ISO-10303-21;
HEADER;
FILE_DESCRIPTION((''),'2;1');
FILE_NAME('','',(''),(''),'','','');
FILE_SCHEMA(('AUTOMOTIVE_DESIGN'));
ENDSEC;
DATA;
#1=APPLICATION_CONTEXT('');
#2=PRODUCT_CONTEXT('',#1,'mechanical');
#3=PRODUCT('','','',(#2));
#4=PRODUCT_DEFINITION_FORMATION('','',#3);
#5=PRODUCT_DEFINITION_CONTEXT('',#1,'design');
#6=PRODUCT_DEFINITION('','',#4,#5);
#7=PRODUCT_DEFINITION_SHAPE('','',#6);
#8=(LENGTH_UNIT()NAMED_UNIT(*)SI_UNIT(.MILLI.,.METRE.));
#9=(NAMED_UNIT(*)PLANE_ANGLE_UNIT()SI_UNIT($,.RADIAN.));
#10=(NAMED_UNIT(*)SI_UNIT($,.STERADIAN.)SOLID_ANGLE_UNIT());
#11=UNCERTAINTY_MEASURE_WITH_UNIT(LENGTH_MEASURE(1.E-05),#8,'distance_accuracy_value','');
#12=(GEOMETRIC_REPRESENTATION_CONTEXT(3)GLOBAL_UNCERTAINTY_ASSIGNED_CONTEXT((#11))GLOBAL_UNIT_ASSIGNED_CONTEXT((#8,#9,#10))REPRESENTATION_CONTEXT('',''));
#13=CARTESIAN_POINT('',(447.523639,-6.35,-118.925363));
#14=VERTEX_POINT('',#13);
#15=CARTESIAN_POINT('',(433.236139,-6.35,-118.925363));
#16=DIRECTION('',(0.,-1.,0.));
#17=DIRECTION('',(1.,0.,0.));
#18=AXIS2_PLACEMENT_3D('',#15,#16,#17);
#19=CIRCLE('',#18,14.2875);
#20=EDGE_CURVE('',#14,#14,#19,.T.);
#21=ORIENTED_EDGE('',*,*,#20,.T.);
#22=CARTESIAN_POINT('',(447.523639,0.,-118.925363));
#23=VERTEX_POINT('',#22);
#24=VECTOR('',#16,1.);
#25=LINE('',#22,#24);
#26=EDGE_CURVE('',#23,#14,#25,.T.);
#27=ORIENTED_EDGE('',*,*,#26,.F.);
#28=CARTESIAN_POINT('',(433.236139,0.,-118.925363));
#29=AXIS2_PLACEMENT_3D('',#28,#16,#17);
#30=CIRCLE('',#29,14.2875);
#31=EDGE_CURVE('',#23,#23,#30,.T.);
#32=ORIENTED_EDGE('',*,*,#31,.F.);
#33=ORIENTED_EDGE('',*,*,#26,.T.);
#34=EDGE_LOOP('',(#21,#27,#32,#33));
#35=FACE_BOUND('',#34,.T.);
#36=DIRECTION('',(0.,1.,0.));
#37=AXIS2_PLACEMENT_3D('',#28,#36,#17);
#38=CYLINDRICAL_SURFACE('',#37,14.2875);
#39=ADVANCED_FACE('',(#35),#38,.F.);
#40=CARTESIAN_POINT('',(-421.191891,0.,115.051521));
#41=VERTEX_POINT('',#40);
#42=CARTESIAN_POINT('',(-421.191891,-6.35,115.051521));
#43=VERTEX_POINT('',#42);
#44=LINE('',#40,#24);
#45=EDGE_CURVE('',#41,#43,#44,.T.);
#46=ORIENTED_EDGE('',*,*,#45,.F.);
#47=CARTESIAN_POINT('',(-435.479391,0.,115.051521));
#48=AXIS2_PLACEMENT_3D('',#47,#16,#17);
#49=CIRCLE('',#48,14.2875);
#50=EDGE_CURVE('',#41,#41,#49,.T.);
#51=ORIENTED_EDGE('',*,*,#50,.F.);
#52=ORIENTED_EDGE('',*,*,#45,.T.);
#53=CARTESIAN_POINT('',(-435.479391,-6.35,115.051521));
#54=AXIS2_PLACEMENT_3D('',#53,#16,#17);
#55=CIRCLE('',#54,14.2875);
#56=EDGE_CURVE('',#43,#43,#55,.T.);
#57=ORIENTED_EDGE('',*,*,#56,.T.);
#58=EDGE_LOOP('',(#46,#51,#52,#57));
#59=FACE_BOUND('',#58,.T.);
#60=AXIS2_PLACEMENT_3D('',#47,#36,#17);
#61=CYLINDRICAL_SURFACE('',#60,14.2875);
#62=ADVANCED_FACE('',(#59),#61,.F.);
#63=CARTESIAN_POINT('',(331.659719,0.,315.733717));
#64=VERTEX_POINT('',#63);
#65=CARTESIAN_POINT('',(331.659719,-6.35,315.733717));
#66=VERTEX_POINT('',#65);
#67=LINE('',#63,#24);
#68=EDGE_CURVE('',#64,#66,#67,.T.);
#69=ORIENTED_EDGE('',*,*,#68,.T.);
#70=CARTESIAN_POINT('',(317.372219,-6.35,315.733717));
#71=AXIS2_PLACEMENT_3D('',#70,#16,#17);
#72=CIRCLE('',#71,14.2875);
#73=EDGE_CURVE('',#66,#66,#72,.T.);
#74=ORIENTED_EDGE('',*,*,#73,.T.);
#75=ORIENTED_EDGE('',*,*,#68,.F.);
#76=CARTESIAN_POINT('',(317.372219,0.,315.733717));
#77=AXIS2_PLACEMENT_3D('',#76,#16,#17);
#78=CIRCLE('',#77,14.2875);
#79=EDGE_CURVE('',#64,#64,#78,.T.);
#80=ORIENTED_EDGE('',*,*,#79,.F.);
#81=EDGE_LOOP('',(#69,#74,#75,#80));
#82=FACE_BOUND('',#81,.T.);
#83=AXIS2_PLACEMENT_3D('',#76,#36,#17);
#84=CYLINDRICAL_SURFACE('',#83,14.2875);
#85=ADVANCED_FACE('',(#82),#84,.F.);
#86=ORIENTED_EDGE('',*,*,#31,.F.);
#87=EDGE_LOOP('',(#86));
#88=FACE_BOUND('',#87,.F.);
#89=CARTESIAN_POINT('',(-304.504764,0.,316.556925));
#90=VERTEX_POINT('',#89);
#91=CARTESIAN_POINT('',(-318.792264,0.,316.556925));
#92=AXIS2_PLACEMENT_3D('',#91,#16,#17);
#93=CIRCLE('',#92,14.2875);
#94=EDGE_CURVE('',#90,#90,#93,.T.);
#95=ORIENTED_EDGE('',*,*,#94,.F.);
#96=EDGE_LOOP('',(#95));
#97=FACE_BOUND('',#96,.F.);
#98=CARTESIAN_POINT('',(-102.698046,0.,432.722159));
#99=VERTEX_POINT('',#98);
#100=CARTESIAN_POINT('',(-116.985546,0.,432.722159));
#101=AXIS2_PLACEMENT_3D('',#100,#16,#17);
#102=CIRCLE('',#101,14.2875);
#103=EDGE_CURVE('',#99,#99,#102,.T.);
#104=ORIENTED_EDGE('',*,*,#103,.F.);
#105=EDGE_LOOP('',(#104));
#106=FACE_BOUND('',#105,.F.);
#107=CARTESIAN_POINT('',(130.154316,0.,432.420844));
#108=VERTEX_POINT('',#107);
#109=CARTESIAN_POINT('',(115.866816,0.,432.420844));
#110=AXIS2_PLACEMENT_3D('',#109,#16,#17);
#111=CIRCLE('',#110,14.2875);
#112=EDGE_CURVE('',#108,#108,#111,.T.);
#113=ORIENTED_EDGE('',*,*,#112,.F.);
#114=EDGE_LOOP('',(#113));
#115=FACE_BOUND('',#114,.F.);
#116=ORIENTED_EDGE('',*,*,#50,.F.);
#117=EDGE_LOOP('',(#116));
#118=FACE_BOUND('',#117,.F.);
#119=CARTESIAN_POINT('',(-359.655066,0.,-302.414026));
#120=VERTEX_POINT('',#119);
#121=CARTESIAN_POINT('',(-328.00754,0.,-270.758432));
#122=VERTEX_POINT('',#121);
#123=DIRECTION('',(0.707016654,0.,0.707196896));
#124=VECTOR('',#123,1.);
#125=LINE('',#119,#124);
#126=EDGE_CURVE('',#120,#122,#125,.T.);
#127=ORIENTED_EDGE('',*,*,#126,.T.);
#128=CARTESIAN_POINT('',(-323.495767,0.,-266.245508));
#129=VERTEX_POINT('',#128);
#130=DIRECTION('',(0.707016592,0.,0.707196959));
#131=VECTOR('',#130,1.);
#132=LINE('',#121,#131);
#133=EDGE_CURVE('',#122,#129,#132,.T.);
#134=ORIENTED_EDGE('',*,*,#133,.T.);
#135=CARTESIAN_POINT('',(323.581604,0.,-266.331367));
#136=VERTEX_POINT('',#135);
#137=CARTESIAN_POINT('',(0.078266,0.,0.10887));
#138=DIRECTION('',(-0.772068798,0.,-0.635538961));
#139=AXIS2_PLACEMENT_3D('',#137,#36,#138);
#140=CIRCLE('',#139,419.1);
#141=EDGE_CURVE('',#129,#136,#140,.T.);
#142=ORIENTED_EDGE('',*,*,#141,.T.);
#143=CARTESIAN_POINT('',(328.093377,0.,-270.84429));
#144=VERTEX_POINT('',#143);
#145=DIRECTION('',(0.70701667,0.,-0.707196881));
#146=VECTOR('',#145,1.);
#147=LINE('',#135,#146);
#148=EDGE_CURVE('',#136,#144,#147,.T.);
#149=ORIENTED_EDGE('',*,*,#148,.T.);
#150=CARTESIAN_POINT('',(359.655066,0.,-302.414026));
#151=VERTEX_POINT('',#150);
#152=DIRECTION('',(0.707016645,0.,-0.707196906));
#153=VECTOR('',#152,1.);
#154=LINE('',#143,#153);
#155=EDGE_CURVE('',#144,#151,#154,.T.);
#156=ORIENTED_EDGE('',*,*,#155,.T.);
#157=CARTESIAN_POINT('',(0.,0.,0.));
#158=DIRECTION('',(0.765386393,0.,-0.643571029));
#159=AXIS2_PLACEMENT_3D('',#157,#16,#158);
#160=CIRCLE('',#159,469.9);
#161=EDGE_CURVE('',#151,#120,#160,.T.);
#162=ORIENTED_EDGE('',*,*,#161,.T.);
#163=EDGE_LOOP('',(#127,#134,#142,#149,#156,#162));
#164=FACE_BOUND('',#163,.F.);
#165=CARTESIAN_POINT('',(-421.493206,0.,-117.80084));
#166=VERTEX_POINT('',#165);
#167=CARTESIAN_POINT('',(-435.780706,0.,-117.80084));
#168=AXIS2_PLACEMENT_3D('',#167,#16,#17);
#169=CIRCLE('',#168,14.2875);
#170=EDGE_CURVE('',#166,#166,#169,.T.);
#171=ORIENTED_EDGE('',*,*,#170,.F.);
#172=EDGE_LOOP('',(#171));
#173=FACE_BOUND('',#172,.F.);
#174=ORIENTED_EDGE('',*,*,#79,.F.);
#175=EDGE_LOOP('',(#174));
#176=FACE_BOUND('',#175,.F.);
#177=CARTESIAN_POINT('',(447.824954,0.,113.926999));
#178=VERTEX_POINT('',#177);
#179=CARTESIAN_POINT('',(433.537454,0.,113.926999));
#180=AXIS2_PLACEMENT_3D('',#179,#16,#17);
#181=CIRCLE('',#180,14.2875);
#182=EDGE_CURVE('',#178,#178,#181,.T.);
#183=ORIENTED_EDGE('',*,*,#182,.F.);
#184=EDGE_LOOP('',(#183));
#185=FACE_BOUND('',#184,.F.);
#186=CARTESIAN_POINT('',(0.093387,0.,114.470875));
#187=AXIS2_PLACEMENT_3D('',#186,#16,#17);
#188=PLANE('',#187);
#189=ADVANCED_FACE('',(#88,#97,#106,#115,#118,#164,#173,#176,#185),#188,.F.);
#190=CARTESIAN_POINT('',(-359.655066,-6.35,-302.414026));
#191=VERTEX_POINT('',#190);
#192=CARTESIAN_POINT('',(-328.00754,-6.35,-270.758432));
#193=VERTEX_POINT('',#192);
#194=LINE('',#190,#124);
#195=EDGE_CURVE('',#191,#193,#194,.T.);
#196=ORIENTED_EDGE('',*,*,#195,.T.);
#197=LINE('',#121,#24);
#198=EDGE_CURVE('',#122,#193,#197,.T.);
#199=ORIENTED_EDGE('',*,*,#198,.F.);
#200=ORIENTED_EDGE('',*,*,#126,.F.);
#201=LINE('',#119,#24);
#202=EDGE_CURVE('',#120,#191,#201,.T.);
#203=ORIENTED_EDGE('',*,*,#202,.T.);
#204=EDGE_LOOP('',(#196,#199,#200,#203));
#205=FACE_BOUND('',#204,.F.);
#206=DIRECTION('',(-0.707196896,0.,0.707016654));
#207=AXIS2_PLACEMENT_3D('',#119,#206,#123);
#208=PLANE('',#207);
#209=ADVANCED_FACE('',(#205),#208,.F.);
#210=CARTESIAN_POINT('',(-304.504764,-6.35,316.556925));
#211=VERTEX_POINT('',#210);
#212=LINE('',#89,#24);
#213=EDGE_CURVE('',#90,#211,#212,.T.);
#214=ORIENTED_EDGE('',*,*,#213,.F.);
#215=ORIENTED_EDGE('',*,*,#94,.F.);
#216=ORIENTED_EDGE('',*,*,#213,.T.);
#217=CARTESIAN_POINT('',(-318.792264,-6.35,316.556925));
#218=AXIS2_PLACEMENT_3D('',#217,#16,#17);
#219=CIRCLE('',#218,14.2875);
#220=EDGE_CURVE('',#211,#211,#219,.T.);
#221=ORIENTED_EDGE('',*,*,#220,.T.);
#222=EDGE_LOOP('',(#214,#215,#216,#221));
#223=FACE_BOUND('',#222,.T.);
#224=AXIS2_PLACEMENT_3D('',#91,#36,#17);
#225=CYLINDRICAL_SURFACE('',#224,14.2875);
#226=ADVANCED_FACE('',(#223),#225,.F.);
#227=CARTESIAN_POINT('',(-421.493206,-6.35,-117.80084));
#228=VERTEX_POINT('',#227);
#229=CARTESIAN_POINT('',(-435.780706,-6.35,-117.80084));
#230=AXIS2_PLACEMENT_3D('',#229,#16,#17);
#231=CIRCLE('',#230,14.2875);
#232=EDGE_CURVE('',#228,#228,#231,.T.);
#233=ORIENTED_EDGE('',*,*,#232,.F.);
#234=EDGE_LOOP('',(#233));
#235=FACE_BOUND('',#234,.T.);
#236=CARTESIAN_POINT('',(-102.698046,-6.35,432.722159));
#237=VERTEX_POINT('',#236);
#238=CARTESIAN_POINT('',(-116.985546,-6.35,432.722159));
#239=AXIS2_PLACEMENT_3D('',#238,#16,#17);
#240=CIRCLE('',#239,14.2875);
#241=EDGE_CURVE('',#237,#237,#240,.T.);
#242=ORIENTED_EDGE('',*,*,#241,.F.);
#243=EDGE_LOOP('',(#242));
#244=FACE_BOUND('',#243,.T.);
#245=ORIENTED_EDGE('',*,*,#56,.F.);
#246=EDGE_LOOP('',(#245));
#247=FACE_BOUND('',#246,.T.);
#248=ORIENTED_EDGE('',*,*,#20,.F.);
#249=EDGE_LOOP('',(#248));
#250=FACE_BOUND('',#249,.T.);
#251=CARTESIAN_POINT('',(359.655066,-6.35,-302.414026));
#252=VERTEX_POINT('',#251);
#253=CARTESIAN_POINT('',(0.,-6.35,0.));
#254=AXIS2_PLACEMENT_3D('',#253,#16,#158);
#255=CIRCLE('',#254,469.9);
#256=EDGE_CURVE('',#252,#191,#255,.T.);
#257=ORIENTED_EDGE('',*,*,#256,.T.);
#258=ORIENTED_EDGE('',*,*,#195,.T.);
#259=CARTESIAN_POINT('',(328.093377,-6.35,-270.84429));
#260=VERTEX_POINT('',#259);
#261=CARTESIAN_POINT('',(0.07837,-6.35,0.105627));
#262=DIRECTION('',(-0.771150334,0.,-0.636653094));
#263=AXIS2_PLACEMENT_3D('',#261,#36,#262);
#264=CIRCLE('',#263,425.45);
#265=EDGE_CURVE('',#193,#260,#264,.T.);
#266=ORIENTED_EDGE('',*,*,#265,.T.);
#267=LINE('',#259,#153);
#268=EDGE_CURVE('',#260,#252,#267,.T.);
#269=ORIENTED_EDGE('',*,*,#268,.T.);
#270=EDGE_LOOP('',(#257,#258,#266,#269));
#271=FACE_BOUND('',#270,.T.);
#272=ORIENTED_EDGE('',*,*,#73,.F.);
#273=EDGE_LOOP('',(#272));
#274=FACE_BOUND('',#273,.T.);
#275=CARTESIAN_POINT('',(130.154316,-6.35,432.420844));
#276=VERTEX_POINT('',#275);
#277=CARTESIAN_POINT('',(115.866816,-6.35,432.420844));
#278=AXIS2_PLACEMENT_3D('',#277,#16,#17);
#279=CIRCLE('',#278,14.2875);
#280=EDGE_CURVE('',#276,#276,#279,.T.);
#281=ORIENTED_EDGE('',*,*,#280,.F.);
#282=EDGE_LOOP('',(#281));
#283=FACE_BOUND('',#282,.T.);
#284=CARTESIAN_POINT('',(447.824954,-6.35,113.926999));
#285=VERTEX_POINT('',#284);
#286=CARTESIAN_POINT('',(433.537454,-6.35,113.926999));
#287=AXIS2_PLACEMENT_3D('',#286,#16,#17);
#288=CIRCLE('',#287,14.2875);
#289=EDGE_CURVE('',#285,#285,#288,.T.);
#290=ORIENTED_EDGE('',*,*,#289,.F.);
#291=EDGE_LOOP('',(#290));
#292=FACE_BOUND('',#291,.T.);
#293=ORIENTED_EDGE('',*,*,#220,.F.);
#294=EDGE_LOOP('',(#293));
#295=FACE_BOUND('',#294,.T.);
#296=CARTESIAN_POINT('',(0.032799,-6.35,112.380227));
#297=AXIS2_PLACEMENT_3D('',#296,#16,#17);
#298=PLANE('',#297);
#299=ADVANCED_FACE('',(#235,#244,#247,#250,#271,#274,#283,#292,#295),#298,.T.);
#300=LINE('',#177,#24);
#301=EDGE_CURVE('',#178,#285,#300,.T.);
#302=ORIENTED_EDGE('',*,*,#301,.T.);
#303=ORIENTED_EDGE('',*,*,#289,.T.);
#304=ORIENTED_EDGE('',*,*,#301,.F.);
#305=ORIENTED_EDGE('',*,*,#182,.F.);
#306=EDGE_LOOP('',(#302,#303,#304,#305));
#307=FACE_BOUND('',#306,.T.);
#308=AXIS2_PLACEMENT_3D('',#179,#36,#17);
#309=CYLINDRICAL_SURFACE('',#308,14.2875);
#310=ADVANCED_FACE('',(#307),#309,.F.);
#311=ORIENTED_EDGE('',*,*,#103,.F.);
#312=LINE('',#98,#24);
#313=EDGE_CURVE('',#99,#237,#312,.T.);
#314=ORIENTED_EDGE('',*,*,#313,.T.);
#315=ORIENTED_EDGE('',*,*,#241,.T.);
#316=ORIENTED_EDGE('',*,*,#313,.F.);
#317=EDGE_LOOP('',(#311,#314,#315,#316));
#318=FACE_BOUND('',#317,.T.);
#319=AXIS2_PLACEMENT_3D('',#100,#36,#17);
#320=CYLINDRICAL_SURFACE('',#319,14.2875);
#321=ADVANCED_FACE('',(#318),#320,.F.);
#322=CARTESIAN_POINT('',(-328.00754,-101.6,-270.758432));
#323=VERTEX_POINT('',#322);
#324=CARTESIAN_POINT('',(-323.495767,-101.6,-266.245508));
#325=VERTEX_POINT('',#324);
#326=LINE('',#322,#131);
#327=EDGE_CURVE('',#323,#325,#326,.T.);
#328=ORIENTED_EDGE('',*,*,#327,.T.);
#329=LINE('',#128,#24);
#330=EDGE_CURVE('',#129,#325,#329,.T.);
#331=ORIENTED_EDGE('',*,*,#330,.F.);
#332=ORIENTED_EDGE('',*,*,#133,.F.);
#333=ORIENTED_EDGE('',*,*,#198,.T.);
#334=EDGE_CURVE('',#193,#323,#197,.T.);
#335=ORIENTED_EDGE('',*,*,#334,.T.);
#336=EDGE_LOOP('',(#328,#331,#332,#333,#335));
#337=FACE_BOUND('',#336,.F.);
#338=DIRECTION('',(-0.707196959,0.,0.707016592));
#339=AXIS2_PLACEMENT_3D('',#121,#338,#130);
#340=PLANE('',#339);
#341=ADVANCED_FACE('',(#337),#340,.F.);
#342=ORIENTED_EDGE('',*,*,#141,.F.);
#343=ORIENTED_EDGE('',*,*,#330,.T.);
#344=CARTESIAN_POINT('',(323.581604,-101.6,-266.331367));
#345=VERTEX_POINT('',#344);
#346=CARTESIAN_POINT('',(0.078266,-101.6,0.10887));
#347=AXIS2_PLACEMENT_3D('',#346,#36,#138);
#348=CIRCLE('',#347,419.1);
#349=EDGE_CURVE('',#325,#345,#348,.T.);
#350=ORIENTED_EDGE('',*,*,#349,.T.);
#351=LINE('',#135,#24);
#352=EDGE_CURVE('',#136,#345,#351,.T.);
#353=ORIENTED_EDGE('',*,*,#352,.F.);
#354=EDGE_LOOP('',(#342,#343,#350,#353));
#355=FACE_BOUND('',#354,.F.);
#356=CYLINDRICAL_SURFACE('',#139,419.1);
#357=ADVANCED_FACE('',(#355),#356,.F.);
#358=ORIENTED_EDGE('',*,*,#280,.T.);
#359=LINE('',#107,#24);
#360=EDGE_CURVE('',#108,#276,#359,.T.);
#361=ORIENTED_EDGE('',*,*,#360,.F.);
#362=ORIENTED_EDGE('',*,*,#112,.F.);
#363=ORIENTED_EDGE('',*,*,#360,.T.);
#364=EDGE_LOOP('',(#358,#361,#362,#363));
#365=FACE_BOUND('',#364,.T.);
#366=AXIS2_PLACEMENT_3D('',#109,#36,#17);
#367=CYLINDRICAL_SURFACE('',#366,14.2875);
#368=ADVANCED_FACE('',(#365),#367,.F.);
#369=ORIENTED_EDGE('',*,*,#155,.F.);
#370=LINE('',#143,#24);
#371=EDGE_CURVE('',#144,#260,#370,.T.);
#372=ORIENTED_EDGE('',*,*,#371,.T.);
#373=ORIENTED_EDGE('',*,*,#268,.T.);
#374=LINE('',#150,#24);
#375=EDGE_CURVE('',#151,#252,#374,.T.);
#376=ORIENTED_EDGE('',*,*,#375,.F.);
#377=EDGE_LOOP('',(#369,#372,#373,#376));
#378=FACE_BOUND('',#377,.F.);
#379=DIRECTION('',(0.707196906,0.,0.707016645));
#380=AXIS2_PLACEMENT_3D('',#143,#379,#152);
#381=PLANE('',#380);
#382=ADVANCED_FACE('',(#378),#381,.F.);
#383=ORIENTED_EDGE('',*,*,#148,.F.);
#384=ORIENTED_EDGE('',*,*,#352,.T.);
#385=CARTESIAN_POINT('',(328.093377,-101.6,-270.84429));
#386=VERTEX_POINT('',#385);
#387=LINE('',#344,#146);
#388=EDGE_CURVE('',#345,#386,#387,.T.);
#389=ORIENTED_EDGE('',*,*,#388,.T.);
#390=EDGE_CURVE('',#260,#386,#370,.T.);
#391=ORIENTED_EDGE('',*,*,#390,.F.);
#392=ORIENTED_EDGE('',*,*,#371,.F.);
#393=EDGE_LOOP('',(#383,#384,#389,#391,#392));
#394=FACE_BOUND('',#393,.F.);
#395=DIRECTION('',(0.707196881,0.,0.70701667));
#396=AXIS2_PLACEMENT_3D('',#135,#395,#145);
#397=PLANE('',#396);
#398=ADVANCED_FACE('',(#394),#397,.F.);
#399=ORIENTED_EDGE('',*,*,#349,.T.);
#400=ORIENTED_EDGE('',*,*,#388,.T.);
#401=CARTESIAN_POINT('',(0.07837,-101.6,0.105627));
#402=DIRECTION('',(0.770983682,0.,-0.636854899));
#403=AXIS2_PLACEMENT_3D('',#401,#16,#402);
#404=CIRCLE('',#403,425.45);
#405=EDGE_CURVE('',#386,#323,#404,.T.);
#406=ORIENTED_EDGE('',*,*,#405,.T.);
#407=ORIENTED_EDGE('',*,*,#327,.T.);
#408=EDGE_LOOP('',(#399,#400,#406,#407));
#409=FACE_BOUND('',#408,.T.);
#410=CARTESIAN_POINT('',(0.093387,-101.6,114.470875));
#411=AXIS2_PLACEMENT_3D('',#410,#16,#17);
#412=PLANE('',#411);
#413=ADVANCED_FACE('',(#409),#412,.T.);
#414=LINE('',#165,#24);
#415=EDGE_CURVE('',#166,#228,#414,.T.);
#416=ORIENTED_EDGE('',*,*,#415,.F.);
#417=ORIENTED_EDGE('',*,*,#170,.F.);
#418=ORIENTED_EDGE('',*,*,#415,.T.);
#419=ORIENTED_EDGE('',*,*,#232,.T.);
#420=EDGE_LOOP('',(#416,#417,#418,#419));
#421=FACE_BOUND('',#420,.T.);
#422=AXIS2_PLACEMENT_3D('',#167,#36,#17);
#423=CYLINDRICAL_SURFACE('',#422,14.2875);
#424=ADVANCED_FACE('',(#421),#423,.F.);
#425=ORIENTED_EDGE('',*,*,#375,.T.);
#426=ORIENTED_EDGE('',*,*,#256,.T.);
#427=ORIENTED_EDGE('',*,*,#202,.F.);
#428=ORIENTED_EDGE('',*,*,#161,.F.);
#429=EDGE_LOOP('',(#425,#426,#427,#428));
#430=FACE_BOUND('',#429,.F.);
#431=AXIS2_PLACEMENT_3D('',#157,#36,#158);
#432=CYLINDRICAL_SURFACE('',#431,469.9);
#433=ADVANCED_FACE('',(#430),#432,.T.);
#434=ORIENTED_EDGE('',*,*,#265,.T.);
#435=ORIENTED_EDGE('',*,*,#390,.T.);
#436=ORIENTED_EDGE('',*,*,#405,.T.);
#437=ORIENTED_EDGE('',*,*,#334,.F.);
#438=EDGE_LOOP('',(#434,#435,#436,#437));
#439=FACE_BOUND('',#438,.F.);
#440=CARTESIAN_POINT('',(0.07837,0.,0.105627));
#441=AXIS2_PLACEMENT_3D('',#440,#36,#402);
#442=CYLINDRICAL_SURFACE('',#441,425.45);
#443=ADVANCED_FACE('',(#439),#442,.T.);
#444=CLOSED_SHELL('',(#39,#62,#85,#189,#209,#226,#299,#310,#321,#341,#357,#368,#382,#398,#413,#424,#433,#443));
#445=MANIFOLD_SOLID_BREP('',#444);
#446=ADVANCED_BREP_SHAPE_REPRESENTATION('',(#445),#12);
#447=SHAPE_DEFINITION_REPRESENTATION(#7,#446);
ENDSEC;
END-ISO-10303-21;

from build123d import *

# Parameters (mm, degrees)
F0_R     = 14.2875
F1_DEPTH = 6.35
F2_DEPTH = 101.6


with BuildPart() as f1:
    # F0 (on Front) → F1 (new body)
    with BuildSketch(Plane.XZ):
        with BuildLine():
            Line((328.093377, -270.84429), (359.655066, -302.414026))
            ThreePointArc((359.655066, -302.414026), (0, 469.9), (-359.655066, -302.414026))
            Line((-359.655066, -302.414026), (-328.00754, -270.758432))
            ThreePointArc((-328.00754, -270.758432), (0.134045, 425.555623), (328.093377, -270.84429))
        make_face()
        with Locations((-435.780706, -117.80084)):
            Circle(F0_R, mode=Mode.SUBTRACT)
        with Locations((433.236139, -118.925363)):
            Circle(F0_R, mode=Mode.SUBTRACT)
        with Locations((-435.479391, 115.051521)):
            Circle(F0_R, mode=Mode.SUBTRACT)
        with Locations((-318.792264, 316.556925)):
            Circle(F0_R, mode=Mode.SUBTRACT)
        with Locations((-116.985546, 432.722159)):
            Circle(F0_R, mode=Mode.SUBTRACT)
        with Locations((433.537454, 113.926999)):
            Circle(F0_R, mode=Mode.SUBTRACT)
        with Locations((115.866816, 432.420844)):
            Circle(F0_R, mode=Mode.SUBTRACT)
        with Locations((317.372219, 315.733717)):
            Circle(F0_R, mode=Mode.SUBTRACT)
    extrude(amount=F1_DEPTH)

    # F0 (on Front) → F2 (join)
    with BuildSketch(Plane.XZ):
        with BuildLine():
            Line((323.581604, -266.331367), (328.093377, -270.84429))
            ThreePointArc((328.093377, -270.84429), (0.134045, 425.555623), (-328.00754, -270.758432))
            Line((-328.00754, -270.758432), (-323.495767, -266.245508))
            ThreePointArc((-323.495767, -266.245508), (0.133875, 419.208866), (323.581604, -266.331367))
        make_face()
    extrude(amount=F2_DEPTH)


solid = f1.part
